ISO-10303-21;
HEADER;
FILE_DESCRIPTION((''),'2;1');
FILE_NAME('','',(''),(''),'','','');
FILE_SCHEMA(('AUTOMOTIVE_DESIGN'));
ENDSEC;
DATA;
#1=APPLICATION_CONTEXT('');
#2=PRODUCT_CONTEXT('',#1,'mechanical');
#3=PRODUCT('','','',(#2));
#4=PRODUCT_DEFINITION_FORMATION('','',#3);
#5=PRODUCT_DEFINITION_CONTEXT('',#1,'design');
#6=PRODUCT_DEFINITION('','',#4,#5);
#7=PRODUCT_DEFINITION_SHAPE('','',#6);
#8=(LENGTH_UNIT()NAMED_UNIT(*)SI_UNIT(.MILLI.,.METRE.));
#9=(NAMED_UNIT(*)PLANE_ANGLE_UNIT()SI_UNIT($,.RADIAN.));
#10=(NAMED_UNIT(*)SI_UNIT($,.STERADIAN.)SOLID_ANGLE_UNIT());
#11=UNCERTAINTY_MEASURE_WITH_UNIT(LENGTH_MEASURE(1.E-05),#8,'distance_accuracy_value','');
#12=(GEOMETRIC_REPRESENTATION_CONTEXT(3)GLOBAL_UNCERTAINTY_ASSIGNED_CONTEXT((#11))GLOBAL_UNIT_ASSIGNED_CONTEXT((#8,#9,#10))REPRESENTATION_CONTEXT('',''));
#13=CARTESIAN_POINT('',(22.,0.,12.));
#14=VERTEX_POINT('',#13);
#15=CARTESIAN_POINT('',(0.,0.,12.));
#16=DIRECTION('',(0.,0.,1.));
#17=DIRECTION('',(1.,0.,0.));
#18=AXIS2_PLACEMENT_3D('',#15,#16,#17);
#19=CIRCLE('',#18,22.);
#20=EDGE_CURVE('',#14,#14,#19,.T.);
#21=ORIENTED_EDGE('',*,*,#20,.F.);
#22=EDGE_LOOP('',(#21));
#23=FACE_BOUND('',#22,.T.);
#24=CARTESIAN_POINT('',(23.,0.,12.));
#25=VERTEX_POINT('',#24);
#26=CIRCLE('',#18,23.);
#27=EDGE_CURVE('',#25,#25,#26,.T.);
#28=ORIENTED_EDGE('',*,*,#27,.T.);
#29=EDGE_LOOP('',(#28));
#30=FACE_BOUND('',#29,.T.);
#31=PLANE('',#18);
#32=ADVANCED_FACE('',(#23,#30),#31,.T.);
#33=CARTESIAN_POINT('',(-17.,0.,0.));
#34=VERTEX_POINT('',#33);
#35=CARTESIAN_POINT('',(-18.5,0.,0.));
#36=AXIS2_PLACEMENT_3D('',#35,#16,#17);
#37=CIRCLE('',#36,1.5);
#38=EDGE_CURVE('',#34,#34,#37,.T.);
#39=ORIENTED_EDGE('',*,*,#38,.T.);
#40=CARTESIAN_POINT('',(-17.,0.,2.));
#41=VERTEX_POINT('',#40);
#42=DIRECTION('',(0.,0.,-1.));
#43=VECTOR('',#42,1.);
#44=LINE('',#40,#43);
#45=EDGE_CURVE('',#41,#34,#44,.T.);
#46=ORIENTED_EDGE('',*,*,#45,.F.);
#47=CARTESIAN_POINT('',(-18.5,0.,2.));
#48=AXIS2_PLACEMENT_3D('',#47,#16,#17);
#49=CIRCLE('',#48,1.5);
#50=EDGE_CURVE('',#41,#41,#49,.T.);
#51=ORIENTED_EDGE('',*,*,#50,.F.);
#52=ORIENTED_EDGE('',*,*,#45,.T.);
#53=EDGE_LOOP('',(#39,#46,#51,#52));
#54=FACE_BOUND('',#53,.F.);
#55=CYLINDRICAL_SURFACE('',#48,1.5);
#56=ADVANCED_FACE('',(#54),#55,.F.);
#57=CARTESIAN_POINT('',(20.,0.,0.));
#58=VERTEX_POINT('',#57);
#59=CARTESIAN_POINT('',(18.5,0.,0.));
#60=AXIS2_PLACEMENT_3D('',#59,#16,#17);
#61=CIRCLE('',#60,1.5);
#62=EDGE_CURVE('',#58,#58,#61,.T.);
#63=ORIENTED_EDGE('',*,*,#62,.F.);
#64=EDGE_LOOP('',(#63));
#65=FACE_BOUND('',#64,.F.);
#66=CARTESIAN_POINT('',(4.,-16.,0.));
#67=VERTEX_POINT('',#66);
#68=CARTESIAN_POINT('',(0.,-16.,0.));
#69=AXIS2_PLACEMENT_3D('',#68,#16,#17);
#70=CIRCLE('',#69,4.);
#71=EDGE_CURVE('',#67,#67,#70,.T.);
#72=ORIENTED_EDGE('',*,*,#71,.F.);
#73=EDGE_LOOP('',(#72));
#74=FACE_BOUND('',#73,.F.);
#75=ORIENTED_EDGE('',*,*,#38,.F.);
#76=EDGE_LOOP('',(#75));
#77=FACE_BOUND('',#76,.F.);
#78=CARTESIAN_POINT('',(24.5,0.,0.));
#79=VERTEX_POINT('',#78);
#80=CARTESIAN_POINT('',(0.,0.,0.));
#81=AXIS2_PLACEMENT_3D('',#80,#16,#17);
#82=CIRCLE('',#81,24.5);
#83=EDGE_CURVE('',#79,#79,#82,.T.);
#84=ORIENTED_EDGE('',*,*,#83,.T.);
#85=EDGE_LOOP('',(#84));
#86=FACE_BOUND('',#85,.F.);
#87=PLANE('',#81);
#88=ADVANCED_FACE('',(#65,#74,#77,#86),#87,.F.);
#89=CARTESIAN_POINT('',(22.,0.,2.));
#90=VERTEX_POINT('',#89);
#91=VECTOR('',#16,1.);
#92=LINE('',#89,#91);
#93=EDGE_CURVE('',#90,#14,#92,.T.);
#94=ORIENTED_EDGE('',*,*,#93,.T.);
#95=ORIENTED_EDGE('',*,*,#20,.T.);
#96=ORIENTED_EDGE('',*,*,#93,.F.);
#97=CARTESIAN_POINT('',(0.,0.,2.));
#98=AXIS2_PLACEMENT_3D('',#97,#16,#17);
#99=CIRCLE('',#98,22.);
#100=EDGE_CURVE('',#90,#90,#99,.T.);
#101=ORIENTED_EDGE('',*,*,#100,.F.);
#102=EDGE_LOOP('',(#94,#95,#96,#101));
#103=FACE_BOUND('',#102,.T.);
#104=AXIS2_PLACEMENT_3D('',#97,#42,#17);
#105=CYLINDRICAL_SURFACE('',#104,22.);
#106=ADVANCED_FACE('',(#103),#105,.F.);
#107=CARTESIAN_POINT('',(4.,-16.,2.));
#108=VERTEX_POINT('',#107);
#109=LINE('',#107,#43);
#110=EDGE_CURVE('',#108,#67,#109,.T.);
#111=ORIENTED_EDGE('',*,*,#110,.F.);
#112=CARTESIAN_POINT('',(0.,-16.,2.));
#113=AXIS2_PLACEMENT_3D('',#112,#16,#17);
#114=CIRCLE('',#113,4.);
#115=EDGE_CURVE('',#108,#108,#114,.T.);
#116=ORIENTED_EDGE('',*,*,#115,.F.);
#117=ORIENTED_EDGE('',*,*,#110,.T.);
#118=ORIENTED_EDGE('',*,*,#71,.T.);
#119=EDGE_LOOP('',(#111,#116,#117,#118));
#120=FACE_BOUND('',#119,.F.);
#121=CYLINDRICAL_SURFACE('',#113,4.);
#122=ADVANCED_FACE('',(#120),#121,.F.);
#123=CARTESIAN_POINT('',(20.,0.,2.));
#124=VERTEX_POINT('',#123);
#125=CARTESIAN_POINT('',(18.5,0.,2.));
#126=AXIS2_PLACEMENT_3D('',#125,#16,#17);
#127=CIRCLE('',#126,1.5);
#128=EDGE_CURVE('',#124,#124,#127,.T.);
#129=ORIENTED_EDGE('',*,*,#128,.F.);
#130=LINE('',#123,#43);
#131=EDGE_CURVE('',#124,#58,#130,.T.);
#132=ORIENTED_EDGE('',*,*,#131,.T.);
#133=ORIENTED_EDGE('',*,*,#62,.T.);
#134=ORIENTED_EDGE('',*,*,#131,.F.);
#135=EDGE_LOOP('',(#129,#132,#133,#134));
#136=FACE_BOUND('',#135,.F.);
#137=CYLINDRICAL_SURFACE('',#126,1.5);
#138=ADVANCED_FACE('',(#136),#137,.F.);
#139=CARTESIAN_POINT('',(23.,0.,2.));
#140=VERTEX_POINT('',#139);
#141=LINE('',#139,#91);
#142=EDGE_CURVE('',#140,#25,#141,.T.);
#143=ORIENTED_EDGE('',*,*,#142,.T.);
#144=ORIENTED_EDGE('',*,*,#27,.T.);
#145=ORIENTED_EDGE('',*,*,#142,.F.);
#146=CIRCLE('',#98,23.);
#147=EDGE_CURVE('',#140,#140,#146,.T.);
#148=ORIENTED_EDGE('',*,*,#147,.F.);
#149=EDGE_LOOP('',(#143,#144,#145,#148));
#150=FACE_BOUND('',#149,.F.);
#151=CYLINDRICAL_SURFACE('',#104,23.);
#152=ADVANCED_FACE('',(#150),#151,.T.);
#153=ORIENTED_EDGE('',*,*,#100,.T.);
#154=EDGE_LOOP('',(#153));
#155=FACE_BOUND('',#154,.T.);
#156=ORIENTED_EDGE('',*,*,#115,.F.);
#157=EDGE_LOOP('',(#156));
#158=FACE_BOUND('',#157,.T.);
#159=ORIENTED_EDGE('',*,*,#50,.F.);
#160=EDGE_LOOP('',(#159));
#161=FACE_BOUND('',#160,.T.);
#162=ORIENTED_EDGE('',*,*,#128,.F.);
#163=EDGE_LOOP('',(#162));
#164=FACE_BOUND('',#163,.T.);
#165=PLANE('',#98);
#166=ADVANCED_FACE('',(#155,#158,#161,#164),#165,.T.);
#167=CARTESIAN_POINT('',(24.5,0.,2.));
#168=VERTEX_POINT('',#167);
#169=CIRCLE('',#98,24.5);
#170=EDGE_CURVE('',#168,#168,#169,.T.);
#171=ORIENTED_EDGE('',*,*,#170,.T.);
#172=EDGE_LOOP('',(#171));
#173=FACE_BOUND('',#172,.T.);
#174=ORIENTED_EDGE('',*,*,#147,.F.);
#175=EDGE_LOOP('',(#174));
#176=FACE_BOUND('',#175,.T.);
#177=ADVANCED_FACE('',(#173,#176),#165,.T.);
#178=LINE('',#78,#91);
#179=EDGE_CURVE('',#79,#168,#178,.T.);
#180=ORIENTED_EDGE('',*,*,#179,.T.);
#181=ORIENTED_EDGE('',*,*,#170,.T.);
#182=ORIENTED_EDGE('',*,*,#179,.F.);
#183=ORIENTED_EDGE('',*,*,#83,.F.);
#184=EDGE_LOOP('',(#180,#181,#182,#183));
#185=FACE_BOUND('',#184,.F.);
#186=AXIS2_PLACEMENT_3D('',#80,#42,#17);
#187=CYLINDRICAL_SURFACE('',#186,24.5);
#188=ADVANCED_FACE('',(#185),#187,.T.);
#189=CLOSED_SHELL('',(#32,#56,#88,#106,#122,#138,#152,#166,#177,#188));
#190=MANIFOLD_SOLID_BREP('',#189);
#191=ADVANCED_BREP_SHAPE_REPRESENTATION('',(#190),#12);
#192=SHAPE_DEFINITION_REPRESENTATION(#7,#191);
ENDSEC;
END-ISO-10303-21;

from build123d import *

# Parameters (mm, degrees)
CYLINDER001_R     = 24.5
CYLINDER001_DEPTH = 2
SKETCH_R          = 23
SKETCH_R_2        = 22
PAD_DEPTH         = 10
SKETCH002_R       = 1.5
SKETCH002_R_2     = 4
POCKET001_DEPTH   = 10


with BuildPart() as part:
    # Cylinder001 → Cylinder001 (new body)
    with BuildSketch(Plane.XY):
        Circle(CYLINDER001_R)
    extrude(amount=CYLINDER001_DEPTH)

    # Sketch → Pad (new body)
    with BuildSketch(Plane.XY.offset(2)):
        Circle(SKETCH_R)
        Circle(SKETCH_R_2, mode=Mode.SUBTRACT)
    extrude(amount=PAD_DEPTH)

    # Sketch002 → Pocket001 (cut)
    with BuildSketch(Plane.XY.offset(2)):
        with Locations((-18.5, 0)):
            Circle(SKETCH002_R)
        with Locations((18.5, 0)):
            Circle(SKETCH002_R)
        with Locations((0, -16)):
            Circle(SKETCH002_R_2)
    extrude(amount=-POCKET001_DEPTH, mode=Mode.SUBTRACT)


solid = part.part
